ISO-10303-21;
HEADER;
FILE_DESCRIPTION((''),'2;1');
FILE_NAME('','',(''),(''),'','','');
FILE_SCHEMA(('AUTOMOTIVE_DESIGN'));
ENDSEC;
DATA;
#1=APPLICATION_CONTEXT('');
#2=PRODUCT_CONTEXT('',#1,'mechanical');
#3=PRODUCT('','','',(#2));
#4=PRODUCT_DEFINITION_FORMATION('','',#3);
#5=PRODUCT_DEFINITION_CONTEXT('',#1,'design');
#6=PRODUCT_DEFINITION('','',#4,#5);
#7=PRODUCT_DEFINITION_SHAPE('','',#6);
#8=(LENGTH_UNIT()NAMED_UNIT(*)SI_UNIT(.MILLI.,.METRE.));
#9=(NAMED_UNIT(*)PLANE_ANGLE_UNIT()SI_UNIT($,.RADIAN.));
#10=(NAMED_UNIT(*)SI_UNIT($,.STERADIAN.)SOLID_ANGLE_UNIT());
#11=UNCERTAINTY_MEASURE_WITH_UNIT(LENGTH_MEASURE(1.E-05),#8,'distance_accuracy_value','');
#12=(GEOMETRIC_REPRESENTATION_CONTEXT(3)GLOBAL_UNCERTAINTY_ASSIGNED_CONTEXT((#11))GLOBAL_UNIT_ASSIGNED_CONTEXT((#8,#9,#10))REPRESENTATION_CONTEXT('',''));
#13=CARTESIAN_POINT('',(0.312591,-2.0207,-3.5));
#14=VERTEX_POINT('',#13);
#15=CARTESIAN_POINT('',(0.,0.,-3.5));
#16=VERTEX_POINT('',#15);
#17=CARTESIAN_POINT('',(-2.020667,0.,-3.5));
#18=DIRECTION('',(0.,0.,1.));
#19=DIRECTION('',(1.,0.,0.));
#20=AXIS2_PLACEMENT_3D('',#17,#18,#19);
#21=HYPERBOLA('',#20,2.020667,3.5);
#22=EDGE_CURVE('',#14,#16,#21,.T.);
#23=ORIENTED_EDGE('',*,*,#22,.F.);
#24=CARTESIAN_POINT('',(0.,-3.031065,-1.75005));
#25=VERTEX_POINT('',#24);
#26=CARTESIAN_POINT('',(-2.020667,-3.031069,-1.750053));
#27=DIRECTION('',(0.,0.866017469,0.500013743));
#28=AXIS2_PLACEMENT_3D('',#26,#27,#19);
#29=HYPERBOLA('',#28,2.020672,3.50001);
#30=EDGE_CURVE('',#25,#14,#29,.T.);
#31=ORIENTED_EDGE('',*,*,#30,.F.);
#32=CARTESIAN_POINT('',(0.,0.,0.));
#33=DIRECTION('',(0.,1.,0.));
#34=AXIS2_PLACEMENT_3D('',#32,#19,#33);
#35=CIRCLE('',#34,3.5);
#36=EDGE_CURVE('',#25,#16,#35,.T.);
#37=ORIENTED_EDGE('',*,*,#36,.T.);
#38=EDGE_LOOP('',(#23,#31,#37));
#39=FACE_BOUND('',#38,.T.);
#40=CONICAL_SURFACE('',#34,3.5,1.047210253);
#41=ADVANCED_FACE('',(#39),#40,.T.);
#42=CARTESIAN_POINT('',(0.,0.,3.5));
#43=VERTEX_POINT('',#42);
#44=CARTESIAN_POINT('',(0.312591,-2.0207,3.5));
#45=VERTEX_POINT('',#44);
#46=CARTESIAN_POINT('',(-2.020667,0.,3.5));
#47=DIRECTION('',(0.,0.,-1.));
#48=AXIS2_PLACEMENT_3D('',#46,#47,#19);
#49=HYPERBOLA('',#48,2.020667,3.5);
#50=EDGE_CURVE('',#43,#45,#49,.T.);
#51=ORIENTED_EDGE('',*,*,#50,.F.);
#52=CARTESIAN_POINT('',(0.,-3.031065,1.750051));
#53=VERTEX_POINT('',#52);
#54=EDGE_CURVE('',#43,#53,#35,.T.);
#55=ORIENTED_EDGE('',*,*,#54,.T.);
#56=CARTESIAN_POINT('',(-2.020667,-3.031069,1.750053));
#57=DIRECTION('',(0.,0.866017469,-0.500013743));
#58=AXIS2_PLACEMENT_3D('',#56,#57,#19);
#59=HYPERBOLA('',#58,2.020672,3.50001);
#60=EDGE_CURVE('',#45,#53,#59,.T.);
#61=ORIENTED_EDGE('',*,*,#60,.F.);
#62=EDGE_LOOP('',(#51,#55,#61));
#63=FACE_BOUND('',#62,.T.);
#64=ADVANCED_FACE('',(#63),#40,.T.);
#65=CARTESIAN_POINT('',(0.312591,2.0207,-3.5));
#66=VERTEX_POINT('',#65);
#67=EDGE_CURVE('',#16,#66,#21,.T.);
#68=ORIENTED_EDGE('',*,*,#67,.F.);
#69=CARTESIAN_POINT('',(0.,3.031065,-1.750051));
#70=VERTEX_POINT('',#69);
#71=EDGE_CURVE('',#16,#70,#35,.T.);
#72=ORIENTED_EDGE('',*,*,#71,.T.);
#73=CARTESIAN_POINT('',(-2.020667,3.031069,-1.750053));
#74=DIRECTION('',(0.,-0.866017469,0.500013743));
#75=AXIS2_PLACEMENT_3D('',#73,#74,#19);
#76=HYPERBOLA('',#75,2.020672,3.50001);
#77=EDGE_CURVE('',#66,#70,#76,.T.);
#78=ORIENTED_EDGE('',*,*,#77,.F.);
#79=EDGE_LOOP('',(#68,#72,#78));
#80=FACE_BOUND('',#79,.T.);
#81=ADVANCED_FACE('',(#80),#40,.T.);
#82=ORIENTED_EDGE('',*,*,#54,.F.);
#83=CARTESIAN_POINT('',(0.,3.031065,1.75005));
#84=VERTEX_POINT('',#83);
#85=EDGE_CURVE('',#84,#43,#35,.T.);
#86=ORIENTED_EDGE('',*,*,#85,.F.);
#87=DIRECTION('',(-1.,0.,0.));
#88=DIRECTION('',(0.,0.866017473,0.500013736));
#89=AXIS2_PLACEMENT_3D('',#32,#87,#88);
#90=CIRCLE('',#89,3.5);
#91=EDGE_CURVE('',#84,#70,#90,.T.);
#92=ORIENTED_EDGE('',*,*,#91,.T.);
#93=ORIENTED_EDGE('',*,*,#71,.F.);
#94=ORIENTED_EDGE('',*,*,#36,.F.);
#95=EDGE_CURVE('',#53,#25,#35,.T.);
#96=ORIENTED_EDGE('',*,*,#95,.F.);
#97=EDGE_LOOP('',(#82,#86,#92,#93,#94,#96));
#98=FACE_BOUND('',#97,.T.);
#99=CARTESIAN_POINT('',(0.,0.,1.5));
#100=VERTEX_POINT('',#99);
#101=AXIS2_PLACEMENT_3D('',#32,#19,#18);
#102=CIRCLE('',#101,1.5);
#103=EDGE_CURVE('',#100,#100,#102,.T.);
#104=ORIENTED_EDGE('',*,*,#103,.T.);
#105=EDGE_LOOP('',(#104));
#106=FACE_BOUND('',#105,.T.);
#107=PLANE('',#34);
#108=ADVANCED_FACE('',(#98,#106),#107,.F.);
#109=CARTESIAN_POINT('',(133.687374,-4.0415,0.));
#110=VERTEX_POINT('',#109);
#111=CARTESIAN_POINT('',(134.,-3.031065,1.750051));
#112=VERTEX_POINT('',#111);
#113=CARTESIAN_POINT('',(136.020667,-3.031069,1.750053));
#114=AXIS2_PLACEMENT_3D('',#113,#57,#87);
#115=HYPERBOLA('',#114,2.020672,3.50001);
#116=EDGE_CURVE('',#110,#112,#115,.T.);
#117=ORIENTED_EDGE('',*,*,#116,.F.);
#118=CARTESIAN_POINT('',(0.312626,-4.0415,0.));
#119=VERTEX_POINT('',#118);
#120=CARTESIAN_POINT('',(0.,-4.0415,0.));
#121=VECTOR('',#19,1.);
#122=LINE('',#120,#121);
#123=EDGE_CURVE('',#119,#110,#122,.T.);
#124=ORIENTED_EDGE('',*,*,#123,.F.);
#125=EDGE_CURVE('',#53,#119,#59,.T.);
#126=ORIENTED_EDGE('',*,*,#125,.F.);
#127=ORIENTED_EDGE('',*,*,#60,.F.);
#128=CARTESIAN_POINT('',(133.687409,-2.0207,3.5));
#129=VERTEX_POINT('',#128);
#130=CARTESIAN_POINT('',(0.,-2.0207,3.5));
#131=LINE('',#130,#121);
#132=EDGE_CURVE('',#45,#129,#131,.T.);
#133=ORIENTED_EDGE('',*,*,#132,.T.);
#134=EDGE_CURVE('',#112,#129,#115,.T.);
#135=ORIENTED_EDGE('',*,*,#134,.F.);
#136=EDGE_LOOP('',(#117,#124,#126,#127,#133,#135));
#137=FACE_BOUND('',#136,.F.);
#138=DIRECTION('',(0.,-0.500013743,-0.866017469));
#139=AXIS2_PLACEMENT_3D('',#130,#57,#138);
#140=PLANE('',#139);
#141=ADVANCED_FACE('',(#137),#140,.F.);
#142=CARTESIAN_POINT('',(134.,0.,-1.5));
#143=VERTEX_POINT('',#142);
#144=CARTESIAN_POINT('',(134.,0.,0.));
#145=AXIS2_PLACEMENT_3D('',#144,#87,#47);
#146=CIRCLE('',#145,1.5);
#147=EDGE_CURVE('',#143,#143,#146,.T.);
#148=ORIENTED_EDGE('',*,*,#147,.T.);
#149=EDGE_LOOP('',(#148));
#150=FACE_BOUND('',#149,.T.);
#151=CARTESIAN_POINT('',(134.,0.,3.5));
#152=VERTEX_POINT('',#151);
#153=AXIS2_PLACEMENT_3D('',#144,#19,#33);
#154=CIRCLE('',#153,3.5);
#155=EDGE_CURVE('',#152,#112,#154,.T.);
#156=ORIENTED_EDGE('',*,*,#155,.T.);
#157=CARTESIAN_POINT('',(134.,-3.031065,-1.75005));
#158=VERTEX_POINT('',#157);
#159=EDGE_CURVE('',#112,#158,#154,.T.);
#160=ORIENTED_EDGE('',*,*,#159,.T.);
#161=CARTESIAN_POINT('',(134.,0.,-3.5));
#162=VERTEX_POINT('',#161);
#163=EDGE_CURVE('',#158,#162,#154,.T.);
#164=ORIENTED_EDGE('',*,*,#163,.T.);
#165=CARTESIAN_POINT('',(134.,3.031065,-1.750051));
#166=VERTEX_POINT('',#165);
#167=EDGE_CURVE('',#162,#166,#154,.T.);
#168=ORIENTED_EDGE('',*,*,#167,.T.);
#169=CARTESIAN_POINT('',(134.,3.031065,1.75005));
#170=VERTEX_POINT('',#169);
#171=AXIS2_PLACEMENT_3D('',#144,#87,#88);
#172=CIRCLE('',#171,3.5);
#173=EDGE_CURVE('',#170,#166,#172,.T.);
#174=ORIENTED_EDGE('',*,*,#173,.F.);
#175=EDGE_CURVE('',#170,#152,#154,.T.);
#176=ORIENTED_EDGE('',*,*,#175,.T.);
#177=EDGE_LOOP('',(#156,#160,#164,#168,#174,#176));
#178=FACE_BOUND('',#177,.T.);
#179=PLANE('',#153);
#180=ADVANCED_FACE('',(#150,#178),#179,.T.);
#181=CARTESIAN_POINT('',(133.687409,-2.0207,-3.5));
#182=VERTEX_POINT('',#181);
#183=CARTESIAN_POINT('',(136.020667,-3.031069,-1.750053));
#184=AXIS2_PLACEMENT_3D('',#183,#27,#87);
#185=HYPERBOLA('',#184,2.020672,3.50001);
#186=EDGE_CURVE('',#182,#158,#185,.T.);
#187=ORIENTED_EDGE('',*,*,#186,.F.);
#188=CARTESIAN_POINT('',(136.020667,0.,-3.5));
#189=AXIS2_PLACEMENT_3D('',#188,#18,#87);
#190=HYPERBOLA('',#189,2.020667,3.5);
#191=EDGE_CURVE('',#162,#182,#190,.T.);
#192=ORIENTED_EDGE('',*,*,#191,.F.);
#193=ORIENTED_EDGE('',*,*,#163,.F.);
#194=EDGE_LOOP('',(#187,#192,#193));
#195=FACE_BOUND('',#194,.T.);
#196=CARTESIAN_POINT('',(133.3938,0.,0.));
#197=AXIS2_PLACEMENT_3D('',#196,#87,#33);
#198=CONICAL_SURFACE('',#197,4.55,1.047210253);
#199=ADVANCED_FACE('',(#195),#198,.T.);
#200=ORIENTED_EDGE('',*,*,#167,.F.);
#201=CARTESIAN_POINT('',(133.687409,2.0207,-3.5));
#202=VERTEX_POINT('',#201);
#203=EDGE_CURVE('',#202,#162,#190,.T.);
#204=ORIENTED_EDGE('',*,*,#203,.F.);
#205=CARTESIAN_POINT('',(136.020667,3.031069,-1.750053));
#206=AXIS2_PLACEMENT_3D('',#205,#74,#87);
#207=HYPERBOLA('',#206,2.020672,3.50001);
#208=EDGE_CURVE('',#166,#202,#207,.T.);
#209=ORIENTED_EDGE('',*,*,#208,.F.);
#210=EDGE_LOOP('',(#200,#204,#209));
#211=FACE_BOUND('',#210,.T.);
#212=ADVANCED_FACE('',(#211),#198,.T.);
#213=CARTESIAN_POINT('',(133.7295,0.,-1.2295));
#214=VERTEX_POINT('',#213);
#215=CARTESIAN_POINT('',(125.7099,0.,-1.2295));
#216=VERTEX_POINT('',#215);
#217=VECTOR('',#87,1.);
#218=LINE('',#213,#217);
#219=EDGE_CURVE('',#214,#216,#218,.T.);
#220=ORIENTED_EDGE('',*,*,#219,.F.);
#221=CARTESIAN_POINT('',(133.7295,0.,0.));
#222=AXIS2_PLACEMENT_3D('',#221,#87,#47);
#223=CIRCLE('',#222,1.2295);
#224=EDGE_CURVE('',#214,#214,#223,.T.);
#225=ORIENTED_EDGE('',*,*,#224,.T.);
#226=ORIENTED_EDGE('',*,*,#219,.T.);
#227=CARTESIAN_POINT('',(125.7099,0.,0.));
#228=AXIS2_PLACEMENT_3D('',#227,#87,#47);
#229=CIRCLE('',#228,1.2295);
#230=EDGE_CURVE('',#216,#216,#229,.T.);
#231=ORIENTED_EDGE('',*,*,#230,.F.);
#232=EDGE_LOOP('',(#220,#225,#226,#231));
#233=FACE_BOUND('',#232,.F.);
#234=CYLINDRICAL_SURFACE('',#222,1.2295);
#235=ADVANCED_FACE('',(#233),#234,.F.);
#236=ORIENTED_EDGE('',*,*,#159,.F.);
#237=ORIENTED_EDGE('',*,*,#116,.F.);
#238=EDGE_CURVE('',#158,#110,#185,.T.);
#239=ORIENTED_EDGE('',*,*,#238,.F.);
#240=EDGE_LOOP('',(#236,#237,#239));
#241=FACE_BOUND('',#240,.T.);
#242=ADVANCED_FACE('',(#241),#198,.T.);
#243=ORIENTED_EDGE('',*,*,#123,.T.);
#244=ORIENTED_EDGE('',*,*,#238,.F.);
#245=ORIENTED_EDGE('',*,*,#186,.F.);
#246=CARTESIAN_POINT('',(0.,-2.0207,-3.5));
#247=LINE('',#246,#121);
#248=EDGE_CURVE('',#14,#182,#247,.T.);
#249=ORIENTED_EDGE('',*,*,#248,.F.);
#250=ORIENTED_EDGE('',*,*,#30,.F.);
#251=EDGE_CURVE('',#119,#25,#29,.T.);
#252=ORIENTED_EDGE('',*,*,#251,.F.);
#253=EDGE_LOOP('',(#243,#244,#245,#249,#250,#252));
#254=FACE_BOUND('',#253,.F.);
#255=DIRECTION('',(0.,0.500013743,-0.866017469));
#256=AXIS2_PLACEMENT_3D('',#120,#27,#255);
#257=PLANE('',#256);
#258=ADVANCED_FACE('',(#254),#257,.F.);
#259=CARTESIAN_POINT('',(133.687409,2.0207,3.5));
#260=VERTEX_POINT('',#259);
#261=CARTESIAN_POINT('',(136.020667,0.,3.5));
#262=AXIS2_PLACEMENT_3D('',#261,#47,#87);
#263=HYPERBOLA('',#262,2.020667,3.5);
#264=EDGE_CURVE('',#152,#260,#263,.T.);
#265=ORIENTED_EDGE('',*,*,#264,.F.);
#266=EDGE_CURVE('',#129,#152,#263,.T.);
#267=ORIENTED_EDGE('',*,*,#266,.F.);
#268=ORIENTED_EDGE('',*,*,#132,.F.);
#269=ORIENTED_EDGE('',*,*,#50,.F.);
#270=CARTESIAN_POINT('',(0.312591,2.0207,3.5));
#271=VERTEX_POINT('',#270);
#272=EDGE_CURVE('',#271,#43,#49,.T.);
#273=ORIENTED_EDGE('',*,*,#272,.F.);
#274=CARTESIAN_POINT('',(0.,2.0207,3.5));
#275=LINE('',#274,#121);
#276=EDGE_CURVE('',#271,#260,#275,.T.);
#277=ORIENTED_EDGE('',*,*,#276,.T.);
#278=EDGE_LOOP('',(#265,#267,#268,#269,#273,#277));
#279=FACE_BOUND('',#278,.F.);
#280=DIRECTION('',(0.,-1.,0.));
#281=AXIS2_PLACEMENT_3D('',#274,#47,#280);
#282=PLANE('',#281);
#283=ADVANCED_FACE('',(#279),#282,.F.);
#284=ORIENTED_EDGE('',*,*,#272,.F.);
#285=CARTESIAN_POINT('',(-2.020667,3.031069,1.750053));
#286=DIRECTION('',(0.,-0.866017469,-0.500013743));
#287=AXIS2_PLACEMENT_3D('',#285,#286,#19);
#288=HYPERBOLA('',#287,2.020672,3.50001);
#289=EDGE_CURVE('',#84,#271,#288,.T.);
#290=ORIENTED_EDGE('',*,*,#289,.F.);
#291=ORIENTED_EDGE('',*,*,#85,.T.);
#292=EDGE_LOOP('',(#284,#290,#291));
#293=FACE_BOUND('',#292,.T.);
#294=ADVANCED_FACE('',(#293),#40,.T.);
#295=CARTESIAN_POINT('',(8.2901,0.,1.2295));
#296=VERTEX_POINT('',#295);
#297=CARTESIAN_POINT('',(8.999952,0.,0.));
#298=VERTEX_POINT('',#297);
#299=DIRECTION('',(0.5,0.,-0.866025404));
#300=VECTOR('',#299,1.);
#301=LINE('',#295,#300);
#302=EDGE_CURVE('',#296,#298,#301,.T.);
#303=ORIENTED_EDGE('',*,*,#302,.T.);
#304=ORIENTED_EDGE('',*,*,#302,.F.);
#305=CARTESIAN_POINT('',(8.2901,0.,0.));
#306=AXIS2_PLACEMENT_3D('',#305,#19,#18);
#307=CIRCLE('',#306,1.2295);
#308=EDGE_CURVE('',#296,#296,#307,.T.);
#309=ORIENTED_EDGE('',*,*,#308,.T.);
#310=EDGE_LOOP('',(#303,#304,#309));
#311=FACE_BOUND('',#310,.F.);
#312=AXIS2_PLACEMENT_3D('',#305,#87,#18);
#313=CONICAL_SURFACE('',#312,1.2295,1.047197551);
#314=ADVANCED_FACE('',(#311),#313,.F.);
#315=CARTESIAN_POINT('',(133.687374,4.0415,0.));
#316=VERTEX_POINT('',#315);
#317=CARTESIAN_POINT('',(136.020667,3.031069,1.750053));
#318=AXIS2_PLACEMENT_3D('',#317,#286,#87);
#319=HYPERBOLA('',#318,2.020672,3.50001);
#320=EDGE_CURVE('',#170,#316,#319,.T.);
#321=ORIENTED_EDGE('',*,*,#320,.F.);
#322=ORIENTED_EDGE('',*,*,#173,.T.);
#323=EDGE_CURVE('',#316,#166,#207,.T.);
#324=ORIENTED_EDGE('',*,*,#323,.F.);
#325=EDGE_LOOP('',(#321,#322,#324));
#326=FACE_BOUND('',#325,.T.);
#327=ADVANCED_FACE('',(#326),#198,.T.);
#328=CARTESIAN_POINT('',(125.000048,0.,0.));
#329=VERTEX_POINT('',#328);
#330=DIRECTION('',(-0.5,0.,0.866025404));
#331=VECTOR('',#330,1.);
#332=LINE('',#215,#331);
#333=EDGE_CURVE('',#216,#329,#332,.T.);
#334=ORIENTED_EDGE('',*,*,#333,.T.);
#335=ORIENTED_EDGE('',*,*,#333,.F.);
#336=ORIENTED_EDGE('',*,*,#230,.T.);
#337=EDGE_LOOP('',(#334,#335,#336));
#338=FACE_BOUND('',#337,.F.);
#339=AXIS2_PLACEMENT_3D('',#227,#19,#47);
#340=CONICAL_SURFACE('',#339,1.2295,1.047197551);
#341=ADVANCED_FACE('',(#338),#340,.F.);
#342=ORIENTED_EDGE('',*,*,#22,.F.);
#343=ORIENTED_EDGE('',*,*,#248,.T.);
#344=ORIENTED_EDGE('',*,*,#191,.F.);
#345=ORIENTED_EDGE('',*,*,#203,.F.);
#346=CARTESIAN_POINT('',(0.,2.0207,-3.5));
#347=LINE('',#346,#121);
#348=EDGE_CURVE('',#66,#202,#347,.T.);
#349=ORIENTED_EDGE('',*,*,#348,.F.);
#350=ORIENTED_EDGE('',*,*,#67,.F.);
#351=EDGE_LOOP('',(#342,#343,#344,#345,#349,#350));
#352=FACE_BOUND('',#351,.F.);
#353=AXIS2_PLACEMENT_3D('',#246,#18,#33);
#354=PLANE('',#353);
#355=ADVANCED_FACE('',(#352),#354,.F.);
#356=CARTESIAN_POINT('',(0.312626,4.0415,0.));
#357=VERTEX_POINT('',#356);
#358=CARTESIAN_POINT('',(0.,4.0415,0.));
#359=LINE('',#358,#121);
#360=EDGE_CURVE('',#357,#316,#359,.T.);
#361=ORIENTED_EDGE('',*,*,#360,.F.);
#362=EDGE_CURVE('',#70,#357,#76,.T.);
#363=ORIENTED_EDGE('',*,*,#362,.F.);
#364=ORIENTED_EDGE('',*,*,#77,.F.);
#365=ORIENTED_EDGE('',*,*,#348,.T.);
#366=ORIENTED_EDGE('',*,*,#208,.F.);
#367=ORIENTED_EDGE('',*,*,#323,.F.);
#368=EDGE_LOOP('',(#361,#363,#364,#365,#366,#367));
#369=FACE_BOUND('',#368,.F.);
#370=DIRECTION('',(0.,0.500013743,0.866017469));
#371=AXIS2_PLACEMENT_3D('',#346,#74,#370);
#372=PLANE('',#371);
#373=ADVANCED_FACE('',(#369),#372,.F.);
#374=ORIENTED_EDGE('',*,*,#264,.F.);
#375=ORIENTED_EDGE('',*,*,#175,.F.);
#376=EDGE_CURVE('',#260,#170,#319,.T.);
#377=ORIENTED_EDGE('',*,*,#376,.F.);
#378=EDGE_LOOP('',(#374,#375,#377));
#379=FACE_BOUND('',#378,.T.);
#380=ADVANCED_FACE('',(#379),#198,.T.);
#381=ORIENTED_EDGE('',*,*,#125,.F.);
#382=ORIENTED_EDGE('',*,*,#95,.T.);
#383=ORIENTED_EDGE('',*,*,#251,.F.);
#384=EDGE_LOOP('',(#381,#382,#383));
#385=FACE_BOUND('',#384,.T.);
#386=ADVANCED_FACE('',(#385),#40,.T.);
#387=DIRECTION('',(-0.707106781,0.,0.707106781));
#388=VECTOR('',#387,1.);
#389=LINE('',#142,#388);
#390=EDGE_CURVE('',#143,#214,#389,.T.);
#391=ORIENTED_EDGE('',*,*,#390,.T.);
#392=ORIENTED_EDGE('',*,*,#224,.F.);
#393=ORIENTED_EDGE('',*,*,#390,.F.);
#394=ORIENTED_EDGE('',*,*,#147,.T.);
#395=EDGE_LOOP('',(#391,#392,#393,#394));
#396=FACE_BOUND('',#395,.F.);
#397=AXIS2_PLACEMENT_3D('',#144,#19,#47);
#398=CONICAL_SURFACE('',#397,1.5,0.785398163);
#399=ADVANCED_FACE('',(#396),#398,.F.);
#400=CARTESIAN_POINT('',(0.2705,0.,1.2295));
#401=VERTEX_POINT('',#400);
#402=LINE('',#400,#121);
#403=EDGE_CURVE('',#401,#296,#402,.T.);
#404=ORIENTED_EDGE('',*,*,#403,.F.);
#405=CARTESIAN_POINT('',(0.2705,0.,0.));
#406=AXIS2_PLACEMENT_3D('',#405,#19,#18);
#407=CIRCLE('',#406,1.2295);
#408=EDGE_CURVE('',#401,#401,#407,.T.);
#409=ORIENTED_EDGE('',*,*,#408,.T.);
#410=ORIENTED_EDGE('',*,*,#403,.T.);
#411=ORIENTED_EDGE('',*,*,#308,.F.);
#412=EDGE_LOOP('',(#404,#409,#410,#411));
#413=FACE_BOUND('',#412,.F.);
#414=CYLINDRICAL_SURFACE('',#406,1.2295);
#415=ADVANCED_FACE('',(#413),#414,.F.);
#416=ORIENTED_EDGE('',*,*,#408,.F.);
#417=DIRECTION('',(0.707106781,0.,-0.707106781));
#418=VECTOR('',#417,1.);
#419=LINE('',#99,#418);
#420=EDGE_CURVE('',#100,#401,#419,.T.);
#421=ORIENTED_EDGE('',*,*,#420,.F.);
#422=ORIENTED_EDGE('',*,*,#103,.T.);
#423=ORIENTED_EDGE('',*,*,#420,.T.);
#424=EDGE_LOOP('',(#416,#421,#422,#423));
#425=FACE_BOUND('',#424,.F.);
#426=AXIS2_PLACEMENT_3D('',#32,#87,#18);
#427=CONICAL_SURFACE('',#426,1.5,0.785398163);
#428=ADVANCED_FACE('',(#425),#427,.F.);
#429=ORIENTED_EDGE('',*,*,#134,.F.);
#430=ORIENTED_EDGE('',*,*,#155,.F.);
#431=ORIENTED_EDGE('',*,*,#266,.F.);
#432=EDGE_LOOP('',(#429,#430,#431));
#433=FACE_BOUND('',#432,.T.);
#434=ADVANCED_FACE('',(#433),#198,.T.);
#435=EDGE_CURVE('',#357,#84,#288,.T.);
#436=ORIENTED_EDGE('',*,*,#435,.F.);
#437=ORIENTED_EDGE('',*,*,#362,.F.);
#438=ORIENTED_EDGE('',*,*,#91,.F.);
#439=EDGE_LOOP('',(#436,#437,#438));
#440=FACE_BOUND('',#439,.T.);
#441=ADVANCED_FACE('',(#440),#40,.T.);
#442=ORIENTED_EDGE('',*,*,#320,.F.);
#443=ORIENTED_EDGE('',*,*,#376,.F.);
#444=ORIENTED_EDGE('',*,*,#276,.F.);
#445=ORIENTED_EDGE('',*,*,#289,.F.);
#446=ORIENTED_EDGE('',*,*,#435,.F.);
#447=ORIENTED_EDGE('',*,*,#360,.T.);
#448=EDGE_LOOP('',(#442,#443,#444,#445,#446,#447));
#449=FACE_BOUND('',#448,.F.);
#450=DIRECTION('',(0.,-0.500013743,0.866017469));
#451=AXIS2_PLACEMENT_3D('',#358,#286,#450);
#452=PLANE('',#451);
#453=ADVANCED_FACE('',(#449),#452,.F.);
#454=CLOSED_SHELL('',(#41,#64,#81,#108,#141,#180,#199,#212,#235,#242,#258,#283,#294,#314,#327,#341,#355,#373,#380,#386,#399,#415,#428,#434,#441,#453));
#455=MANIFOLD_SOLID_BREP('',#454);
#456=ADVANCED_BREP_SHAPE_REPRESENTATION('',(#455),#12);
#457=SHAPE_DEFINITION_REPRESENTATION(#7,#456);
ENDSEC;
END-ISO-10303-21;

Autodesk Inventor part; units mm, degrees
sketch "Sketch_1" plane through (0, 0, 0) normal (0, 0, 1) x (1, 0, 0)
  line L0 (134, 0) -> (0, 0)
  line L1 (0, 0) -> (0, 3.5)
  line L2 (0, 3.5) -> (0.6062, 4.55)
  line L3 (0.6062, 4.55) -> (133.3938, 4.55)
  line L4 (133.3938, 4.55) -> (134, 3.5)
  line L5 (134, 3.5) -> (134, 0)
  line L6 (134, 0) -> (0, 0)
revolve "Revolution1" add sketch "Sketch_1" angle 360 about axis through (134, 0, 0) along (1, 0, 0)
sketch "Sketch_2" plane through (0, 0, 0) normal (1, 0, 0) x (0, 1, 0)
  line L0 (7, 7) -> (-7, 7)
  line L1 (-7, 7) -> (-7, -7)
  line L2 (-7, -7) -> (7, -7)
  line L3 (7, -7) -> (7, 7)
  line L4 (-2.0207, 3.5) -> (-4.0415, 0)
  line L5 (-4.0415, 0) -> (-2.0207, -3.5)
  line L6 (-2.0207, -3.5) -> (2.0207, -3.5)
  line L7 (2.0207, -3.5) -> (4.0415, 0)
  line L8 (4.0415, 0) -> (2.0207, 3.5)
  line L9 (2.0207, 3.5) -> (-2.0207, 3.5)
extrude "Extrusion1" cut sketch "Sketch_2" along normal blind 134
sketch "Sketch3" plane through (0, 0, 0) normal (-1, 0, 0) x (0, 0, 1)
  point P0 (0, 0)
hole "Hole1" at (0, 0, 0) direction (1, 0, 0) diameter 2.459 depth 8.2901 tip angle 120 countersink diameter 3 countersink angle 90 thread size "M3x0.5" class "6H" standard "ISO Metric profile"
sketch "Sketch4" plane through (134, 0, 0) normal (1, 0, 0) x (0, 0, -1)
  point P0 (0, 0)
hole "Hole2" at (134, 0, 0) direction (-1, 0, 0) diameter 2.459 depth 8.2901 tip angle 120 countersink diameter 3 countersink angle 90 thread size "M3x0.5" class "6H" standard "ISO Metric profile"
ref_plane "C3_XY" through (134, 0, 0) normal (-1, 0, 0) x (0, 0, -1)
ref_plane "C3_YZ" through (134, 0, 0) normal (0, 0, -1) x (0, -1, 0)
ref_plane "C3_ZX" through (134, 0, 0) normal (0, -1, 0) x (-1, 0, 0)
properties part number "SLSBF7-134-M3-N3"
